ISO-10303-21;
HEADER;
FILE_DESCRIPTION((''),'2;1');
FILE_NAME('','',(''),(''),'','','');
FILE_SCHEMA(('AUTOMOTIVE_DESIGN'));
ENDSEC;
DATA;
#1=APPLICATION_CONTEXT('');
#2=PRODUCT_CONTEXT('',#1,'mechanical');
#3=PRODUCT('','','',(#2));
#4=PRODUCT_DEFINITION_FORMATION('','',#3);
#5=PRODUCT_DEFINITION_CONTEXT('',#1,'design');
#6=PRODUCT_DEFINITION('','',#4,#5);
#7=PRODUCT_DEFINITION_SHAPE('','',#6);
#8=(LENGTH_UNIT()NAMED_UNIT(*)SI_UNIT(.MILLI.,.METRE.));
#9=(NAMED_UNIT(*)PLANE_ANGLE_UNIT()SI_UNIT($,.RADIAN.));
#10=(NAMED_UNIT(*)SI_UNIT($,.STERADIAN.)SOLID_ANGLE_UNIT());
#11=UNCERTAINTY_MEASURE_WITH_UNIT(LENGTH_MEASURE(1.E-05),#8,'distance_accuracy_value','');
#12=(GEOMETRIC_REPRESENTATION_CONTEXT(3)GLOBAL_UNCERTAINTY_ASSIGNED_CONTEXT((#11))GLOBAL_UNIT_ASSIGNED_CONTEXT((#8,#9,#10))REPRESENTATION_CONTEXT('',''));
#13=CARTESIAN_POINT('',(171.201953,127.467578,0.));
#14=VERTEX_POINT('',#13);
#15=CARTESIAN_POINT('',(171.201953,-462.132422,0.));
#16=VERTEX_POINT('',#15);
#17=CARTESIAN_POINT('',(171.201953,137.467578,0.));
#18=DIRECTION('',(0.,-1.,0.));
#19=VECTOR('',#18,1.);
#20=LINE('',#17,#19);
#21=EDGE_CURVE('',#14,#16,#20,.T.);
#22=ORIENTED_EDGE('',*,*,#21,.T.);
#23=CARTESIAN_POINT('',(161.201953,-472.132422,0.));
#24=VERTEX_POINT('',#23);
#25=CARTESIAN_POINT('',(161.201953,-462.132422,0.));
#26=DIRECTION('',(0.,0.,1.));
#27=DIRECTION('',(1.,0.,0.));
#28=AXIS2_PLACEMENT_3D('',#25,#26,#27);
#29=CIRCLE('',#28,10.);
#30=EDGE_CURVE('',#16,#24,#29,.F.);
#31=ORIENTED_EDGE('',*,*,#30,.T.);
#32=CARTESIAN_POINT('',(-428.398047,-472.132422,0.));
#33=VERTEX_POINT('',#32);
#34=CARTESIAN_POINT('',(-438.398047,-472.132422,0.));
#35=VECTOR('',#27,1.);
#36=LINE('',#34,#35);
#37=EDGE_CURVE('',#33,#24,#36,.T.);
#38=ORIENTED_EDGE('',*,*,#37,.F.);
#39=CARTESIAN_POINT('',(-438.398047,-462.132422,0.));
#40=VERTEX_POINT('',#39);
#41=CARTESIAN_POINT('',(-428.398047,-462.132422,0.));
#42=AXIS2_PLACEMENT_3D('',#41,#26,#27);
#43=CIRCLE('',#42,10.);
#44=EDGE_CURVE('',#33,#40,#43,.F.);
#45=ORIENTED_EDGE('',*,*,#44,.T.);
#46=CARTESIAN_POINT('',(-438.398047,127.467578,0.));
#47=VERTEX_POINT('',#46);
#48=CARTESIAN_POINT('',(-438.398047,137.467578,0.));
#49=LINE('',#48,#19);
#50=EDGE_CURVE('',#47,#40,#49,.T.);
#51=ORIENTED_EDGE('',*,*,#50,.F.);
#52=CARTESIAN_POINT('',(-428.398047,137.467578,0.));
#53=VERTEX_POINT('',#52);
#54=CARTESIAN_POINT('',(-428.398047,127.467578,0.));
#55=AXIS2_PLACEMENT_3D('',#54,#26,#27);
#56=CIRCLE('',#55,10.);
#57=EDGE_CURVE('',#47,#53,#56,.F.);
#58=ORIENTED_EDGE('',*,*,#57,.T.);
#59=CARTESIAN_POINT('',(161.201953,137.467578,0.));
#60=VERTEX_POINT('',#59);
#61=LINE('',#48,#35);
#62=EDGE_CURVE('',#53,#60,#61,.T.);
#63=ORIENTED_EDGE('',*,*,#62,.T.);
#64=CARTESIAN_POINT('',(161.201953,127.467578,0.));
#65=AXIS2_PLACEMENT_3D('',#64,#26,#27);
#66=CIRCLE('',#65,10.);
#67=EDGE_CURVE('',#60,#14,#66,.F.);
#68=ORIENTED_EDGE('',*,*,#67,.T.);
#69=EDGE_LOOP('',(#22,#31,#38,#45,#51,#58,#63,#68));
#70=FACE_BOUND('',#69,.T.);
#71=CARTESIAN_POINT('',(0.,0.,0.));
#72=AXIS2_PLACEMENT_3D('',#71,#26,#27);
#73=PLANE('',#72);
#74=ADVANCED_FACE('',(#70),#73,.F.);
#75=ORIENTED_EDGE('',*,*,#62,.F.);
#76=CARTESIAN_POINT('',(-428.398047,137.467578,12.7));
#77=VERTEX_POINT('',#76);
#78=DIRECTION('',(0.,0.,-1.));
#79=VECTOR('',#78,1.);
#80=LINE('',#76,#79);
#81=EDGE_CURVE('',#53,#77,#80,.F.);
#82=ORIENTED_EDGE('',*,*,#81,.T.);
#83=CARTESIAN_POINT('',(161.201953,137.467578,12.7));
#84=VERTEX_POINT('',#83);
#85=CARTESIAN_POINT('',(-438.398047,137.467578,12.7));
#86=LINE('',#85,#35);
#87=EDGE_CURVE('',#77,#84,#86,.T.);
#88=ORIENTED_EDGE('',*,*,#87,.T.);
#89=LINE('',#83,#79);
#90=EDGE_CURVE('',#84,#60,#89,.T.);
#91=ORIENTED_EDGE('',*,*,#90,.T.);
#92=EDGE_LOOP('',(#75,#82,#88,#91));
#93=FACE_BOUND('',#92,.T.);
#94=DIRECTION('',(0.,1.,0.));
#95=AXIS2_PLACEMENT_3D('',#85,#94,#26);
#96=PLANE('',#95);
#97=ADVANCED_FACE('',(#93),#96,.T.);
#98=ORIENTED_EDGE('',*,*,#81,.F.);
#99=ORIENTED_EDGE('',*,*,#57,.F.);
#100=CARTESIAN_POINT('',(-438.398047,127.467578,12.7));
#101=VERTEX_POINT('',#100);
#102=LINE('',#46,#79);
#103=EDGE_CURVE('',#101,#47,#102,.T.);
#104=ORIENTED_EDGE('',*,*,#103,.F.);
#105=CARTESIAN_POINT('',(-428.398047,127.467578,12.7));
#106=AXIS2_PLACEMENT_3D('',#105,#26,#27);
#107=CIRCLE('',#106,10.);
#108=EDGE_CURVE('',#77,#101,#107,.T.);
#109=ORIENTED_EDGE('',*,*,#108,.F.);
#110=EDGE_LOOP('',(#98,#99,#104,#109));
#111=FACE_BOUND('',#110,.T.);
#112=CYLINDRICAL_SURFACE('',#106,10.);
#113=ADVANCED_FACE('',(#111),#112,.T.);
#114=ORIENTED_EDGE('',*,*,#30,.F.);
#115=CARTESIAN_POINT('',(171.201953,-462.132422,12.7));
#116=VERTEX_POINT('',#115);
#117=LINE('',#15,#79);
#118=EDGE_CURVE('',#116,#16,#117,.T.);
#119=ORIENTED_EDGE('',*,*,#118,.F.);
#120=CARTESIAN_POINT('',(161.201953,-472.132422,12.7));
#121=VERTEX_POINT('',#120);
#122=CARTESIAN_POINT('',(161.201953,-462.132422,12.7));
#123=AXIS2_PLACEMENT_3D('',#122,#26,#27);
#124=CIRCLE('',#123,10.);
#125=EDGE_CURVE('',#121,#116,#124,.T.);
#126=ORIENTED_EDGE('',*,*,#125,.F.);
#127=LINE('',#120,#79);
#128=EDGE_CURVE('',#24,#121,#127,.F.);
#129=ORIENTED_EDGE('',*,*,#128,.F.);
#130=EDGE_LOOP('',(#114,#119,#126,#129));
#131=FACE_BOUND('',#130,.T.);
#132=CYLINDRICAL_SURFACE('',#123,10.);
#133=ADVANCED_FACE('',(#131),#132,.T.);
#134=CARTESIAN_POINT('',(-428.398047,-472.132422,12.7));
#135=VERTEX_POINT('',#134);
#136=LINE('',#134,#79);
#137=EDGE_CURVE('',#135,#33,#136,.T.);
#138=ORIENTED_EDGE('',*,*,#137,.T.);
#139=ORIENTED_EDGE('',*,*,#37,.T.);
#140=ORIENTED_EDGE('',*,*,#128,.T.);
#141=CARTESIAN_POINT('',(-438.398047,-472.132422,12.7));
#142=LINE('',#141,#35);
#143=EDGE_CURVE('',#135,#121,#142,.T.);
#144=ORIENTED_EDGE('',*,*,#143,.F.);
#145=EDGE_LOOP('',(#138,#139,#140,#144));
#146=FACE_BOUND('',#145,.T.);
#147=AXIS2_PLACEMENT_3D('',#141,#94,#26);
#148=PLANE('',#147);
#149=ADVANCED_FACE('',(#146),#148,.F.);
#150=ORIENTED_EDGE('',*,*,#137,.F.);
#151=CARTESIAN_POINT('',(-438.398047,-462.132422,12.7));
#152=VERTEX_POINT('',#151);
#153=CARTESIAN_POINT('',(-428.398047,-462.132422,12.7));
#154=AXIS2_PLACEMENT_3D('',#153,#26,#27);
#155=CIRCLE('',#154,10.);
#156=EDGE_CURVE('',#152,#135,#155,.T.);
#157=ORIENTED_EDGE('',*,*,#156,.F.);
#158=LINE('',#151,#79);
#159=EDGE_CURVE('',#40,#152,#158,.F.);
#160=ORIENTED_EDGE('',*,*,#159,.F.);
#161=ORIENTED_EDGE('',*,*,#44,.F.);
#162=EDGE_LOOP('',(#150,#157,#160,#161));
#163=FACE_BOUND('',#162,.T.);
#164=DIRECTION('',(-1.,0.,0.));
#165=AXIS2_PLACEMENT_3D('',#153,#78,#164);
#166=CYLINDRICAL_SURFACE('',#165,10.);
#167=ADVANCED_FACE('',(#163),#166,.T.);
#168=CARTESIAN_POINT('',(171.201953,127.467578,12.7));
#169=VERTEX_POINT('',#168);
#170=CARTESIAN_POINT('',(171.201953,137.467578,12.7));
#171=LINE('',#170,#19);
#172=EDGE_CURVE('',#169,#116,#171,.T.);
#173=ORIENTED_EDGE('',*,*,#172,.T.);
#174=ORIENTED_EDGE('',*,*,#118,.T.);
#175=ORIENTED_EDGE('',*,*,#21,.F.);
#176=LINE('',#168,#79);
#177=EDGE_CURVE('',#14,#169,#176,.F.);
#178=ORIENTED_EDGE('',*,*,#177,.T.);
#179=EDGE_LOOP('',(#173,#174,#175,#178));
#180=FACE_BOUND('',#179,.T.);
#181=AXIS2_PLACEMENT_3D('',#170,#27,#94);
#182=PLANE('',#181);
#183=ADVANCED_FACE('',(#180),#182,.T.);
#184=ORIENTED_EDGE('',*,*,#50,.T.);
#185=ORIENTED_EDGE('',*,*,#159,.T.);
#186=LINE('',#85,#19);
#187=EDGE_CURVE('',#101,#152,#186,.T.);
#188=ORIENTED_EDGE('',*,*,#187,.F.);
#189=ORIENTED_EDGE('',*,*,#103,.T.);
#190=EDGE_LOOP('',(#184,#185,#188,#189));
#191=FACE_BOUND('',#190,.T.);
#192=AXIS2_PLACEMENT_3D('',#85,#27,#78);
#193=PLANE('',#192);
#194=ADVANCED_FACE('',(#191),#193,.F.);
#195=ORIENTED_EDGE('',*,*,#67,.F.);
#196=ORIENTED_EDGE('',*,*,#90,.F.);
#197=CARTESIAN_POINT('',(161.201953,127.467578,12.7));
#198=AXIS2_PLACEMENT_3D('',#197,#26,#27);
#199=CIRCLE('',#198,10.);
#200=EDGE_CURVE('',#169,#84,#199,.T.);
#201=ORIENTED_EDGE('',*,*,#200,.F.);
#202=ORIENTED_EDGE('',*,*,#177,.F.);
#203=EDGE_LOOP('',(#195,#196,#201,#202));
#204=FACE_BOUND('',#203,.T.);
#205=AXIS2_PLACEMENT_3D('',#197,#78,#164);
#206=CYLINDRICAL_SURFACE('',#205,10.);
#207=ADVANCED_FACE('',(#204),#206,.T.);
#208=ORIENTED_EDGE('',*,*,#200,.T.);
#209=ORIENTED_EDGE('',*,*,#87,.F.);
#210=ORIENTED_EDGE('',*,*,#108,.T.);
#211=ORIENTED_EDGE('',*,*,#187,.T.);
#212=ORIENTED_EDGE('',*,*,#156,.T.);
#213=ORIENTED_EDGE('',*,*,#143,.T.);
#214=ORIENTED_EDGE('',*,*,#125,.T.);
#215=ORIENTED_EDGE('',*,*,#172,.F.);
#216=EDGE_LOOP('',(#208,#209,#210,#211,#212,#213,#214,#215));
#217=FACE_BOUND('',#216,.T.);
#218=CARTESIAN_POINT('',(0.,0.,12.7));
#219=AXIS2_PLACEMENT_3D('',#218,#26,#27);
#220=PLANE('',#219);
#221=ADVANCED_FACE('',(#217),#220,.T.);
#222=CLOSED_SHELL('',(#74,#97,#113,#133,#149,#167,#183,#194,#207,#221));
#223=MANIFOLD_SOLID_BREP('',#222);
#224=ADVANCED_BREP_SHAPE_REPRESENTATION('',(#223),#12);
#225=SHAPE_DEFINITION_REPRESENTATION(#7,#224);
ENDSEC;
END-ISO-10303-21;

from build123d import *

# Parameters (mm, degrees)
SKETCH1_W           = 609.6
SKETCH1_H           = 609.6
BOSS_EXTRUDE1_DEPTH = 12.7
FILLET1_R           = 10


with BuildPart() as part:
    # Sketch1 → Boss-Extrude1 (new body)
    with BuildSketch(Plane.XY):
        with Locations((-133.598046875, -167.332421875)):
            Rectangle(SKETCH1_W, SKETCH1_H)
    extrude(amount=BOSS_EXTRUDE1_DEPTH)

    # Fillet1
    fillet1_edges = [part.edges().sort_by_distance(p)[0] for p in [
        (-438.398046875, 137.467578125, 6.35),
        (171.201953125, 137.467578125, 6.35),
        (171.201953125, -472.132421875, 6.35),
        (-438.398046875, -472.132421875, 6.35),
    ]]
    fillet(fillet1_edges, radius=FILLET1_R)


solid = part.part
